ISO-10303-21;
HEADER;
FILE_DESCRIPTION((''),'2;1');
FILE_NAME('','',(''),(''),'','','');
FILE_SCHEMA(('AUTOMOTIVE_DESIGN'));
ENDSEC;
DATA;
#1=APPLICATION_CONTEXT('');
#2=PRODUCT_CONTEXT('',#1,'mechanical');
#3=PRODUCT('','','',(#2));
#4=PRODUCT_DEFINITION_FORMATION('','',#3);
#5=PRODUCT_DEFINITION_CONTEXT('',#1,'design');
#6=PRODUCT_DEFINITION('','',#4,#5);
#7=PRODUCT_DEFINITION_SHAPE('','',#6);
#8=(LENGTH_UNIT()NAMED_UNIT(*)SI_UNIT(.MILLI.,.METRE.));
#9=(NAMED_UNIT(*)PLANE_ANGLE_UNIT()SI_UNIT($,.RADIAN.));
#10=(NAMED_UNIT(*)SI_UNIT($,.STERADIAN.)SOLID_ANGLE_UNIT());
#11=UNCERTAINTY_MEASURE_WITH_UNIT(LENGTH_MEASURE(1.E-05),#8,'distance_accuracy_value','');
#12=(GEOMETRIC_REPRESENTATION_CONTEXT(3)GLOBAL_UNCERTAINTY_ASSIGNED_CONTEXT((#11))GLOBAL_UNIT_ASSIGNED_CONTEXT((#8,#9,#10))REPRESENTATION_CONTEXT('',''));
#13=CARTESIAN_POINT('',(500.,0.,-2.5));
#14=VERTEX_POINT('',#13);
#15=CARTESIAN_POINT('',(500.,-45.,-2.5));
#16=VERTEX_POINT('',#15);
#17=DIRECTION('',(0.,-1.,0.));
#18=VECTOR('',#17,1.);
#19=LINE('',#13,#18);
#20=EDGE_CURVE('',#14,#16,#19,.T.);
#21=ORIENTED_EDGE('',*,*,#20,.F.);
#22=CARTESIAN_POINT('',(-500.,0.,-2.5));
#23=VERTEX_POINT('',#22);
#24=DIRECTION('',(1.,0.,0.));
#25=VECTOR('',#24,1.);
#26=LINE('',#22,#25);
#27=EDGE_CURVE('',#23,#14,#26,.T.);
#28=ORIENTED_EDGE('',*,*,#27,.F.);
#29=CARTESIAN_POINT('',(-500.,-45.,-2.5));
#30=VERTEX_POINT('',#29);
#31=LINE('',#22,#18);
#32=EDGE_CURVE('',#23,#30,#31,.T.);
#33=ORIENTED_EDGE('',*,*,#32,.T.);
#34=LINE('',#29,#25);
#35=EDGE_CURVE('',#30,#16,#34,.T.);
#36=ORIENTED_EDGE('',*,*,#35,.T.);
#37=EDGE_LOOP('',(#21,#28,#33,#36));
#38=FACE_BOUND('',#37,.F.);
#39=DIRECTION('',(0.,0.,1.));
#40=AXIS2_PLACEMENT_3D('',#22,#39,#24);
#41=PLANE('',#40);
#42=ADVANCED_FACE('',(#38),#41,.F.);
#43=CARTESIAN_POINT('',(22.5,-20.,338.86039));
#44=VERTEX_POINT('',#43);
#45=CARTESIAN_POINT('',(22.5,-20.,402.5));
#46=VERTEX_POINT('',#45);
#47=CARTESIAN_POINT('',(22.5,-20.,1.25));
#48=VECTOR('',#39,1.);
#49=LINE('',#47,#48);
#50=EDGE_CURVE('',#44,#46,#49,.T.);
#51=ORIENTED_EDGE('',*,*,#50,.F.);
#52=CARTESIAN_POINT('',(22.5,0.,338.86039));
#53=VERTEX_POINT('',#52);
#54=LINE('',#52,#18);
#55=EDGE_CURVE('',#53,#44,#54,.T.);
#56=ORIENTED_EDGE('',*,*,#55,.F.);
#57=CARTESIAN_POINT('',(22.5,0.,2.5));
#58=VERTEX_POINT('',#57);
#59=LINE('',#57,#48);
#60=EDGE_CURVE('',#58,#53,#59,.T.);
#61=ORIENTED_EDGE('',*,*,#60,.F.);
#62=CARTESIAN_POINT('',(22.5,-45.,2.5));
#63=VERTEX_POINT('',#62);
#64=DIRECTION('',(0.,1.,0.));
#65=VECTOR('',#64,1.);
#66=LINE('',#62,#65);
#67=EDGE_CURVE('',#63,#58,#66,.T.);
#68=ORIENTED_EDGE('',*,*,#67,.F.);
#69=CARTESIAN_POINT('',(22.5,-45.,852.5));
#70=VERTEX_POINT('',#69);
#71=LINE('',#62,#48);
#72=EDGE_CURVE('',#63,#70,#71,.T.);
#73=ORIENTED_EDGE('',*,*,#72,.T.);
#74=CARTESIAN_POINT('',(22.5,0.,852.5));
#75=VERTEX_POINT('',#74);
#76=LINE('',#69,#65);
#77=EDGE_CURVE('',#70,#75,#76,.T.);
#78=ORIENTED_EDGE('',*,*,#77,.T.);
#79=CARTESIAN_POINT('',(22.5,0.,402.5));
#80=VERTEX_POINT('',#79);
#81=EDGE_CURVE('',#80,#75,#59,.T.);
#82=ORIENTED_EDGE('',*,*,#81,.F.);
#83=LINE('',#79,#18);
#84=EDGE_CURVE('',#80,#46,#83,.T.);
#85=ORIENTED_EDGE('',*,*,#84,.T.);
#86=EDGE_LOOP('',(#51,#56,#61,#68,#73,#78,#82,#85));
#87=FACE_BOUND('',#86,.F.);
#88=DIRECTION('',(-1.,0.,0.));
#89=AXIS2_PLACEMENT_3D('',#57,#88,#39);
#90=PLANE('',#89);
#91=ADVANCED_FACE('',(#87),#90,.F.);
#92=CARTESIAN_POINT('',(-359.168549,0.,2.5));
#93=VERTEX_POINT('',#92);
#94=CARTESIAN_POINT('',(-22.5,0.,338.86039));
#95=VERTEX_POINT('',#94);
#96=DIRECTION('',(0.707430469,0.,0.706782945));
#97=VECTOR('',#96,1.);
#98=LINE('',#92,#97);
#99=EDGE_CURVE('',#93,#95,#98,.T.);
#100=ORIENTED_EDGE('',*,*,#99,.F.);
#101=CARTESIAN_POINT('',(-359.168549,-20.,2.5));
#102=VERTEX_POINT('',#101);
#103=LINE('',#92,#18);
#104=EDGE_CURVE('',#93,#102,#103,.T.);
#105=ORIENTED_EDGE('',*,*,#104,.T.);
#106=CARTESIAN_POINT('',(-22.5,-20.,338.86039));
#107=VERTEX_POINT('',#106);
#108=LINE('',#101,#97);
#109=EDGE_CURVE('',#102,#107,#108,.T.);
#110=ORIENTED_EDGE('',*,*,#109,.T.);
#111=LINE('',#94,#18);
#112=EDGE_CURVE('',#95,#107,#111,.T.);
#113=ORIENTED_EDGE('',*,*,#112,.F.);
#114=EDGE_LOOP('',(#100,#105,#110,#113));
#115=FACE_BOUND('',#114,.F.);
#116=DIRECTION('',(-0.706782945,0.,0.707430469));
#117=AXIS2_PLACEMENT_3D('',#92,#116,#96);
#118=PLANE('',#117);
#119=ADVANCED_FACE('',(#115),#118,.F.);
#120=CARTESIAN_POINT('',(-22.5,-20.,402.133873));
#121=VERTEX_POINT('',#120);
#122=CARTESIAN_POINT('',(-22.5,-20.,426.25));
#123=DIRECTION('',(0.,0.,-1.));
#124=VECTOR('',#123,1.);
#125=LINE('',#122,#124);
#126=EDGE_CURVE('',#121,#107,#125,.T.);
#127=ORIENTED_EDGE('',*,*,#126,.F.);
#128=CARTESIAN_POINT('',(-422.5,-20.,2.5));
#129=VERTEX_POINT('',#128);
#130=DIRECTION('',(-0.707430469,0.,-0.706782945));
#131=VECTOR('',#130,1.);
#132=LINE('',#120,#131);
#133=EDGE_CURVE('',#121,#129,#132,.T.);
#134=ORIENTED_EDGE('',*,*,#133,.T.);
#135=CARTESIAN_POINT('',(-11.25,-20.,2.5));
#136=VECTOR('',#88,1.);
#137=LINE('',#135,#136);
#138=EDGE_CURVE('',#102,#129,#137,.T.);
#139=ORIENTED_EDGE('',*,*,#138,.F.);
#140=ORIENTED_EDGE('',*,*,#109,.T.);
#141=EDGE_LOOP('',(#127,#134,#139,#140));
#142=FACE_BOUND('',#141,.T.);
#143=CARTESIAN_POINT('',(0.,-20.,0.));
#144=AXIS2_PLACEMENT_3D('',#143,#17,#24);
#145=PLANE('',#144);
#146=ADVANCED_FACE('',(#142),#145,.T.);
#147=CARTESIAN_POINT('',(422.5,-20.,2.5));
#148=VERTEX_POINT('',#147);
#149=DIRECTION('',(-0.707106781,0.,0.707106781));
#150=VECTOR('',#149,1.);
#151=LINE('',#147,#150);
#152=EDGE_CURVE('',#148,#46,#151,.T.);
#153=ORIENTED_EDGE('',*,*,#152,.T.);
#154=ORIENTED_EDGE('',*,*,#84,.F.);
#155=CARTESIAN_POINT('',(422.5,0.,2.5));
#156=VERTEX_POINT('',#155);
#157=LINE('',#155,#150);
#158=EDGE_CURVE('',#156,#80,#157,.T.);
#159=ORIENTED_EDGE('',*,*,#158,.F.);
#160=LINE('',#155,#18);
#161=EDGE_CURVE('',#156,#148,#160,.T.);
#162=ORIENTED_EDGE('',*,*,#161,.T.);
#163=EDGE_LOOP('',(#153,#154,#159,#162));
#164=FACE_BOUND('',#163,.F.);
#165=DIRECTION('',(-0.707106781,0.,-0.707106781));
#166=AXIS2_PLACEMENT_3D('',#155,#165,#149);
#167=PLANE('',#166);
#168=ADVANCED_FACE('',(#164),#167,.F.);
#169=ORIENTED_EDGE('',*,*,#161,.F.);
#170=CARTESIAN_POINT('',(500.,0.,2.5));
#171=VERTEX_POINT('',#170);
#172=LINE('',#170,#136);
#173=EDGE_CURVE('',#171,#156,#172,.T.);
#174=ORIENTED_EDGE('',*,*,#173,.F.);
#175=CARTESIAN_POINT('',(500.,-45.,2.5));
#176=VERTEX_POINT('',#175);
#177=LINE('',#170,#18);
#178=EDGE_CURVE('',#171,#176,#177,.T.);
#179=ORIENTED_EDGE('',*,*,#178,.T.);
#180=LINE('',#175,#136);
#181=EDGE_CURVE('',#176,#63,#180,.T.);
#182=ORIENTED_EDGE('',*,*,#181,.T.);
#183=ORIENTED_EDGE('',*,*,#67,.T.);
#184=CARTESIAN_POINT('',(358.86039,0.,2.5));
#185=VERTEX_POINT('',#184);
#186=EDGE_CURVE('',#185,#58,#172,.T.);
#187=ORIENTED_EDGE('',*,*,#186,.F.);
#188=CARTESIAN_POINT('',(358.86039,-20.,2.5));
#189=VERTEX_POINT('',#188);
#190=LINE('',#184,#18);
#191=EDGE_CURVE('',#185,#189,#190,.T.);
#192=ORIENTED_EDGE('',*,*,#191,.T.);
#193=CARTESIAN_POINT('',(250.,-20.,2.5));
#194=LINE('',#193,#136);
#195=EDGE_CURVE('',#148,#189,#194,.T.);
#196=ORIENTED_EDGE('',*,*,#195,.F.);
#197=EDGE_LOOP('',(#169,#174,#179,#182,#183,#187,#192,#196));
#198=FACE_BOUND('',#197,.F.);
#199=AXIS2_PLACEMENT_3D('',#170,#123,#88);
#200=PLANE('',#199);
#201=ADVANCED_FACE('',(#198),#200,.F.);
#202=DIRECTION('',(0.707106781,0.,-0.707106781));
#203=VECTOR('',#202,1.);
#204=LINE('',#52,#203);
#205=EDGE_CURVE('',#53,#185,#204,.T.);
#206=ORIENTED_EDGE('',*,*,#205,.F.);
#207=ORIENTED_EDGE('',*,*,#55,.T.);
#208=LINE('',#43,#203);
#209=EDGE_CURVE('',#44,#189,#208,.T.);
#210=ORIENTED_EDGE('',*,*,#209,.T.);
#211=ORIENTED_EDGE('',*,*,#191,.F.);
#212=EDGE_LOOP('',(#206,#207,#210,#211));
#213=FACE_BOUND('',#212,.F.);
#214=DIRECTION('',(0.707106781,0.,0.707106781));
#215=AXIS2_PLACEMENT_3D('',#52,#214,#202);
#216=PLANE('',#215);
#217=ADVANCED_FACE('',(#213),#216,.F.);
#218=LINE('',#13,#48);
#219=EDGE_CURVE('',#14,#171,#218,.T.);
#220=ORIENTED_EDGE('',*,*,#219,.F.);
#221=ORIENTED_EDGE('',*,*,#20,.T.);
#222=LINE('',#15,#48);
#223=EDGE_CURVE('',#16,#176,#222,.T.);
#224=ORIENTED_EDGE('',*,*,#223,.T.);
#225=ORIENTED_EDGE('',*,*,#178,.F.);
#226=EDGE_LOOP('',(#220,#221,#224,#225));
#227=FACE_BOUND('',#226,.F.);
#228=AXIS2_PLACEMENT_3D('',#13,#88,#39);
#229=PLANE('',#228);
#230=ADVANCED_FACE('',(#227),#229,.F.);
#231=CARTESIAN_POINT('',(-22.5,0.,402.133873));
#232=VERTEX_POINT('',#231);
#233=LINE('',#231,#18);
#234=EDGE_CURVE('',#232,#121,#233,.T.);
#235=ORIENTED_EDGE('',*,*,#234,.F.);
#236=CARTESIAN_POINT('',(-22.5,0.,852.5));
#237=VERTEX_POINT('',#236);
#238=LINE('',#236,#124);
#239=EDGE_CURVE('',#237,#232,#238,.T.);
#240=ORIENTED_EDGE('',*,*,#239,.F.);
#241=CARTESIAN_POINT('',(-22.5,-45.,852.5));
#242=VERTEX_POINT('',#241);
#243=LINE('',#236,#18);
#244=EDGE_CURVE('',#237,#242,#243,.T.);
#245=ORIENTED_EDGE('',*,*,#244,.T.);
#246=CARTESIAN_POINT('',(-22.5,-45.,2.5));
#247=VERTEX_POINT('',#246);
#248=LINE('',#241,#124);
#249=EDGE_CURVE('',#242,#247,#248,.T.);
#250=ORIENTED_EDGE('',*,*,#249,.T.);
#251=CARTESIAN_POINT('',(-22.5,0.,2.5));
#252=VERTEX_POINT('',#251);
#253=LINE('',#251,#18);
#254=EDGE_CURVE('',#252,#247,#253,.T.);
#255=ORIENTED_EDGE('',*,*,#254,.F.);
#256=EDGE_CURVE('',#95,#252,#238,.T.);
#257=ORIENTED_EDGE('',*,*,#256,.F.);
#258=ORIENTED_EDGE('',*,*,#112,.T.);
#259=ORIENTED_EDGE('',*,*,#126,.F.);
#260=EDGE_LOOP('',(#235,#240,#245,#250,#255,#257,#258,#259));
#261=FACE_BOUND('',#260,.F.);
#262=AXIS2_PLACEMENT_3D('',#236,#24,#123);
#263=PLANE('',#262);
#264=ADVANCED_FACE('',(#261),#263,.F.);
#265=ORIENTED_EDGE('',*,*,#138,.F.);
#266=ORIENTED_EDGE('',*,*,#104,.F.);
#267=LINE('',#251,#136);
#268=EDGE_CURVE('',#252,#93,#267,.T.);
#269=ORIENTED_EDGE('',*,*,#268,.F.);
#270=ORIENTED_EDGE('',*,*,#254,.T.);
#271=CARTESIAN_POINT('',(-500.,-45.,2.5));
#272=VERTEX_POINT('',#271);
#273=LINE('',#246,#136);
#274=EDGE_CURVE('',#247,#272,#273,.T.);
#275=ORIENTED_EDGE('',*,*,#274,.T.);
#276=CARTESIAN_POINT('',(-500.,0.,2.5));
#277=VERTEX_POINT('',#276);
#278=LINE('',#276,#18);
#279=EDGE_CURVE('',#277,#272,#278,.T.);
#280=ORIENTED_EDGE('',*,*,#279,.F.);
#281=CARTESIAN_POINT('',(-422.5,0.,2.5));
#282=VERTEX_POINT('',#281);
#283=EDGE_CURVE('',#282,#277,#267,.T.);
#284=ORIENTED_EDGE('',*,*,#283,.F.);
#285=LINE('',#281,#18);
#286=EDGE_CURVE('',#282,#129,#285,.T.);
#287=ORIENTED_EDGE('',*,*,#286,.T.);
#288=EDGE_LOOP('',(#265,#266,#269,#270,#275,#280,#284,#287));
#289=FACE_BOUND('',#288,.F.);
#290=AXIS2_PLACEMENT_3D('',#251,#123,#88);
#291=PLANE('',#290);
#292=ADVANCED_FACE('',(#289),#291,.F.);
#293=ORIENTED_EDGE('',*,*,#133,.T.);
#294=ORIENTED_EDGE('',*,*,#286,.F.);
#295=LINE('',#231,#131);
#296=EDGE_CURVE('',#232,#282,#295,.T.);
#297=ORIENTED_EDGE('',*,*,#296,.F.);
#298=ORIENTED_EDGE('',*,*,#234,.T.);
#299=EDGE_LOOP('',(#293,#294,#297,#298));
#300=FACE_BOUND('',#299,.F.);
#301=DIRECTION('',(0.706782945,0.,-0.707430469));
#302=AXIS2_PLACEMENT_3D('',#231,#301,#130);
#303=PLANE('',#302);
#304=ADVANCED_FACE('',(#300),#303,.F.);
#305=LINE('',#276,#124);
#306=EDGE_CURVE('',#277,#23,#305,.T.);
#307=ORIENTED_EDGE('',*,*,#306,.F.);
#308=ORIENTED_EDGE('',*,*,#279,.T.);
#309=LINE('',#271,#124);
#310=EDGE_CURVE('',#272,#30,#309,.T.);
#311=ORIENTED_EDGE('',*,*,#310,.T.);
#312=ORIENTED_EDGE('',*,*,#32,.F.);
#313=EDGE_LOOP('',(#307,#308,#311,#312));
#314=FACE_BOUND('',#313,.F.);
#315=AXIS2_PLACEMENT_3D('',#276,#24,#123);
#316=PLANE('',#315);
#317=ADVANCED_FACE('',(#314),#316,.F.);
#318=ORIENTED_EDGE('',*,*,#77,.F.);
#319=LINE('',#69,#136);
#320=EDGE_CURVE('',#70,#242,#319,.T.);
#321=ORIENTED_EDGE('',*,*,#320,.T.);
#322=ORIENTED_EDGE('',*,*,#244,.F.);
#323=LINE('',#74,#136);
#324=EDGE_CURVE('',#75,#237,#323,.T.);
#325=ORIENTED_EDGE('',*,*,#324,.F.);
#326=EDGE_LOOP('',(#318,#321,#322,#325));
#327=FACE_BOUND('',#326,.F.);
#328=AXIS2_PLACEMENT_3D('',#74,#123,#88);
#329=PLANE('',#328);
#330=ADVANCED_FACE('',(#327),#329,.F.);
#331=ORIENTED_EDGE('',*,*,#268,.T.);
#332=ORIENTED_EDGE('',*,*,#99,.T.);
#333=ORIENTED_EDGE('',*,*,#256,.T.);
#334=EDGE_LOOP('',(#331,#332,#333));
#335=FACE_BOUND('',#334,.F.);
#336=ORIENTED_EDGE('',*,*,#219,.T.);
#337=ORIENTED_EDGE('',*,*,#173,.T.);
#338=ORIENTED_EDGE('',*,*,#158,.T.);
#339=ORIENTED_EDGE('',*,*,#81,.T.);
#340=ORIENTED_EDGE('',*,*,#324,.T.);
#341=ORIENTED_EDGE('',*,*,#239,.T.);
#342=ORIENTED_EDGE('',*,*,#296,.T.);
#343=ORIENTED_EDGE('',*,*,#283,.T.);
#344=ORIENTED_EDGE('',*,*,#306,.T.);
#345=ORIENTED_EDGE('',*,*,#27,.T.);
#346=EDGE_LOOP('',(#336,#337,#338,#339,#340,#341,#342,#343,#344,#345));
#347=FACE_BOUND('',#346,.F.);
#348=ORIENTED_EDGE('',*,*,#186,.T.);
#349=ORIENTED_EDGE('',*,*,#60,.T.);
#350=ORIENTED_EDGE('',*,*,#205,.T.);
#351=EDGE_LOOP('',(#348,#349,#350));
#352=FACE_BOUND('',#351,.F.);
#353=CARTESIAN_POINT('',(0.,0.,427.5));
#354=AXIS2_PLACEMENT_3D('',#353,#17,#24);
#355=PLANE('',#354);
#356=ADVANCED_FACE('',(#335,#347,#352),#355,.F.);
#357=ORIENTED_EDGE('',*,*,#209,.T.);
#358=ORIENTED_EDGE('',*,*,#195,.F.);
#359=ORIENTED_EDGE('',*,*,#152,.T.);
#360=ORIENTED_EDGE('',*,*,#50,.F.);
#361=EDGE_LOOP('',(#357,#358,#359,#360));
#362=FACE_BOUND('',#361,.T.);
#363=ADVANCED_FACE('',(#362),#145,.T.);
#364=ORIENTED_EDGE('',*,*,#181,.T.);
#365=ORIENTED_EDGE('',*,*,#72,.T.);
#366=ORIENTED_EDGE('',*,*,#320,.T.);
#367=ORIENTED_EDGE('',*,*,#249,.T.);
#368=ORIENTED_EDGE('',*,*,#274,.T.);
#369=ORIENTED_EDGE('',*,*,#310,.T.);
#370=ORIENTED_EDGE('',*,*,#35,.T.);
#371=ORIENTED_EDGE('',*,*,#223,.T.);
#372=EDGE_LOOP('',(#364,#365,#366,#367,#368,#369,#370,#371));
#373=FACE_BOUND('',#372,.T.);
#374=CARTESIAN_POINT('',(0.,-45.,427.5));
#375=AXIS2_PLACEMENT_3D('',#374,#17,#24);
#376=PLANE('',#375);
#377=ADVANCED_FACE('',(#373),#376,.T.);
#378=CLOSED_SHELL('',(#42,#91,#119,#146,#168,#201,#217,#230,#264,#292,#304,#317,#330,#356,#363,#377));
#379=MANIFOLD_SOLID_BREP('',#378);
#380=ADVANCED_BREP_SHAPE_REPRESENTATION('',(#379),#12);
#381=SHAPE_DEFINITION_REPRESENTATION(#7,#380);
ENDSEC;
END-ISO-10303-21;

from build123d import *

# Parameters (mm, degrees)
F1_DEPTH = 45
F2_DEPTH = 20


with BuildPart() as f1:
    # F0 (on Front) → F1 (new body)
    with BuildSketch(Plane.XZ):
        Polygon((22.5, 338.86039), (22.5, 402.5), (22.5, 852.5), (-22.5, 852.5), (-22.5, 402.133873), (-22.5, 338.86039), (-22.5, 2.5), (22.5, 2.5), align=None)
        Polygon((500, -2.5), (500, 2.5), (422.5, 2.5), (358.86039, 2.5), (22.5, 2.5), (-22.5, 2.5), (-359.168549, 2.5), (-422.5, 2.5), (-500, 2.5), (-500, -2.5), align=None)
    extrude(amount=F1_DEPTH)

    # F0 (on Front) → F2 (join)
    with BuildSketch(Plane.XZ):
        Polygon((500, -2.5), (500, 2.5), (422.5, 2.5), (358.86039, 2.5), (22.5, 2.5), (-22.5, 2.5), (-359.168549, 2.5), (-422.5, 2.5), (-500, 2.5), (-500, -2.5), align=None)
        Polygon((358.86039, 2.5), (422.5, 2.5), (22.5, 402.5), (22.5, 338.86039), align=None)
        Polygon((22.5, 338.86039), (22.5, 402.5), (22.5, 852.5), (-22.5, 852.5), (-22.5, 402.133873), (-22.5, 338.86039), (-22.5, 2.5), (22.5, 2.5), align=None)
        Polygon((-22.5, 402.133873), (-422.5, 2.5), (-359.168549, 2.5), (-22.5, 338.86039), align=None)
    extrude(amount=F2_DEPTH)


solid = f1.part
